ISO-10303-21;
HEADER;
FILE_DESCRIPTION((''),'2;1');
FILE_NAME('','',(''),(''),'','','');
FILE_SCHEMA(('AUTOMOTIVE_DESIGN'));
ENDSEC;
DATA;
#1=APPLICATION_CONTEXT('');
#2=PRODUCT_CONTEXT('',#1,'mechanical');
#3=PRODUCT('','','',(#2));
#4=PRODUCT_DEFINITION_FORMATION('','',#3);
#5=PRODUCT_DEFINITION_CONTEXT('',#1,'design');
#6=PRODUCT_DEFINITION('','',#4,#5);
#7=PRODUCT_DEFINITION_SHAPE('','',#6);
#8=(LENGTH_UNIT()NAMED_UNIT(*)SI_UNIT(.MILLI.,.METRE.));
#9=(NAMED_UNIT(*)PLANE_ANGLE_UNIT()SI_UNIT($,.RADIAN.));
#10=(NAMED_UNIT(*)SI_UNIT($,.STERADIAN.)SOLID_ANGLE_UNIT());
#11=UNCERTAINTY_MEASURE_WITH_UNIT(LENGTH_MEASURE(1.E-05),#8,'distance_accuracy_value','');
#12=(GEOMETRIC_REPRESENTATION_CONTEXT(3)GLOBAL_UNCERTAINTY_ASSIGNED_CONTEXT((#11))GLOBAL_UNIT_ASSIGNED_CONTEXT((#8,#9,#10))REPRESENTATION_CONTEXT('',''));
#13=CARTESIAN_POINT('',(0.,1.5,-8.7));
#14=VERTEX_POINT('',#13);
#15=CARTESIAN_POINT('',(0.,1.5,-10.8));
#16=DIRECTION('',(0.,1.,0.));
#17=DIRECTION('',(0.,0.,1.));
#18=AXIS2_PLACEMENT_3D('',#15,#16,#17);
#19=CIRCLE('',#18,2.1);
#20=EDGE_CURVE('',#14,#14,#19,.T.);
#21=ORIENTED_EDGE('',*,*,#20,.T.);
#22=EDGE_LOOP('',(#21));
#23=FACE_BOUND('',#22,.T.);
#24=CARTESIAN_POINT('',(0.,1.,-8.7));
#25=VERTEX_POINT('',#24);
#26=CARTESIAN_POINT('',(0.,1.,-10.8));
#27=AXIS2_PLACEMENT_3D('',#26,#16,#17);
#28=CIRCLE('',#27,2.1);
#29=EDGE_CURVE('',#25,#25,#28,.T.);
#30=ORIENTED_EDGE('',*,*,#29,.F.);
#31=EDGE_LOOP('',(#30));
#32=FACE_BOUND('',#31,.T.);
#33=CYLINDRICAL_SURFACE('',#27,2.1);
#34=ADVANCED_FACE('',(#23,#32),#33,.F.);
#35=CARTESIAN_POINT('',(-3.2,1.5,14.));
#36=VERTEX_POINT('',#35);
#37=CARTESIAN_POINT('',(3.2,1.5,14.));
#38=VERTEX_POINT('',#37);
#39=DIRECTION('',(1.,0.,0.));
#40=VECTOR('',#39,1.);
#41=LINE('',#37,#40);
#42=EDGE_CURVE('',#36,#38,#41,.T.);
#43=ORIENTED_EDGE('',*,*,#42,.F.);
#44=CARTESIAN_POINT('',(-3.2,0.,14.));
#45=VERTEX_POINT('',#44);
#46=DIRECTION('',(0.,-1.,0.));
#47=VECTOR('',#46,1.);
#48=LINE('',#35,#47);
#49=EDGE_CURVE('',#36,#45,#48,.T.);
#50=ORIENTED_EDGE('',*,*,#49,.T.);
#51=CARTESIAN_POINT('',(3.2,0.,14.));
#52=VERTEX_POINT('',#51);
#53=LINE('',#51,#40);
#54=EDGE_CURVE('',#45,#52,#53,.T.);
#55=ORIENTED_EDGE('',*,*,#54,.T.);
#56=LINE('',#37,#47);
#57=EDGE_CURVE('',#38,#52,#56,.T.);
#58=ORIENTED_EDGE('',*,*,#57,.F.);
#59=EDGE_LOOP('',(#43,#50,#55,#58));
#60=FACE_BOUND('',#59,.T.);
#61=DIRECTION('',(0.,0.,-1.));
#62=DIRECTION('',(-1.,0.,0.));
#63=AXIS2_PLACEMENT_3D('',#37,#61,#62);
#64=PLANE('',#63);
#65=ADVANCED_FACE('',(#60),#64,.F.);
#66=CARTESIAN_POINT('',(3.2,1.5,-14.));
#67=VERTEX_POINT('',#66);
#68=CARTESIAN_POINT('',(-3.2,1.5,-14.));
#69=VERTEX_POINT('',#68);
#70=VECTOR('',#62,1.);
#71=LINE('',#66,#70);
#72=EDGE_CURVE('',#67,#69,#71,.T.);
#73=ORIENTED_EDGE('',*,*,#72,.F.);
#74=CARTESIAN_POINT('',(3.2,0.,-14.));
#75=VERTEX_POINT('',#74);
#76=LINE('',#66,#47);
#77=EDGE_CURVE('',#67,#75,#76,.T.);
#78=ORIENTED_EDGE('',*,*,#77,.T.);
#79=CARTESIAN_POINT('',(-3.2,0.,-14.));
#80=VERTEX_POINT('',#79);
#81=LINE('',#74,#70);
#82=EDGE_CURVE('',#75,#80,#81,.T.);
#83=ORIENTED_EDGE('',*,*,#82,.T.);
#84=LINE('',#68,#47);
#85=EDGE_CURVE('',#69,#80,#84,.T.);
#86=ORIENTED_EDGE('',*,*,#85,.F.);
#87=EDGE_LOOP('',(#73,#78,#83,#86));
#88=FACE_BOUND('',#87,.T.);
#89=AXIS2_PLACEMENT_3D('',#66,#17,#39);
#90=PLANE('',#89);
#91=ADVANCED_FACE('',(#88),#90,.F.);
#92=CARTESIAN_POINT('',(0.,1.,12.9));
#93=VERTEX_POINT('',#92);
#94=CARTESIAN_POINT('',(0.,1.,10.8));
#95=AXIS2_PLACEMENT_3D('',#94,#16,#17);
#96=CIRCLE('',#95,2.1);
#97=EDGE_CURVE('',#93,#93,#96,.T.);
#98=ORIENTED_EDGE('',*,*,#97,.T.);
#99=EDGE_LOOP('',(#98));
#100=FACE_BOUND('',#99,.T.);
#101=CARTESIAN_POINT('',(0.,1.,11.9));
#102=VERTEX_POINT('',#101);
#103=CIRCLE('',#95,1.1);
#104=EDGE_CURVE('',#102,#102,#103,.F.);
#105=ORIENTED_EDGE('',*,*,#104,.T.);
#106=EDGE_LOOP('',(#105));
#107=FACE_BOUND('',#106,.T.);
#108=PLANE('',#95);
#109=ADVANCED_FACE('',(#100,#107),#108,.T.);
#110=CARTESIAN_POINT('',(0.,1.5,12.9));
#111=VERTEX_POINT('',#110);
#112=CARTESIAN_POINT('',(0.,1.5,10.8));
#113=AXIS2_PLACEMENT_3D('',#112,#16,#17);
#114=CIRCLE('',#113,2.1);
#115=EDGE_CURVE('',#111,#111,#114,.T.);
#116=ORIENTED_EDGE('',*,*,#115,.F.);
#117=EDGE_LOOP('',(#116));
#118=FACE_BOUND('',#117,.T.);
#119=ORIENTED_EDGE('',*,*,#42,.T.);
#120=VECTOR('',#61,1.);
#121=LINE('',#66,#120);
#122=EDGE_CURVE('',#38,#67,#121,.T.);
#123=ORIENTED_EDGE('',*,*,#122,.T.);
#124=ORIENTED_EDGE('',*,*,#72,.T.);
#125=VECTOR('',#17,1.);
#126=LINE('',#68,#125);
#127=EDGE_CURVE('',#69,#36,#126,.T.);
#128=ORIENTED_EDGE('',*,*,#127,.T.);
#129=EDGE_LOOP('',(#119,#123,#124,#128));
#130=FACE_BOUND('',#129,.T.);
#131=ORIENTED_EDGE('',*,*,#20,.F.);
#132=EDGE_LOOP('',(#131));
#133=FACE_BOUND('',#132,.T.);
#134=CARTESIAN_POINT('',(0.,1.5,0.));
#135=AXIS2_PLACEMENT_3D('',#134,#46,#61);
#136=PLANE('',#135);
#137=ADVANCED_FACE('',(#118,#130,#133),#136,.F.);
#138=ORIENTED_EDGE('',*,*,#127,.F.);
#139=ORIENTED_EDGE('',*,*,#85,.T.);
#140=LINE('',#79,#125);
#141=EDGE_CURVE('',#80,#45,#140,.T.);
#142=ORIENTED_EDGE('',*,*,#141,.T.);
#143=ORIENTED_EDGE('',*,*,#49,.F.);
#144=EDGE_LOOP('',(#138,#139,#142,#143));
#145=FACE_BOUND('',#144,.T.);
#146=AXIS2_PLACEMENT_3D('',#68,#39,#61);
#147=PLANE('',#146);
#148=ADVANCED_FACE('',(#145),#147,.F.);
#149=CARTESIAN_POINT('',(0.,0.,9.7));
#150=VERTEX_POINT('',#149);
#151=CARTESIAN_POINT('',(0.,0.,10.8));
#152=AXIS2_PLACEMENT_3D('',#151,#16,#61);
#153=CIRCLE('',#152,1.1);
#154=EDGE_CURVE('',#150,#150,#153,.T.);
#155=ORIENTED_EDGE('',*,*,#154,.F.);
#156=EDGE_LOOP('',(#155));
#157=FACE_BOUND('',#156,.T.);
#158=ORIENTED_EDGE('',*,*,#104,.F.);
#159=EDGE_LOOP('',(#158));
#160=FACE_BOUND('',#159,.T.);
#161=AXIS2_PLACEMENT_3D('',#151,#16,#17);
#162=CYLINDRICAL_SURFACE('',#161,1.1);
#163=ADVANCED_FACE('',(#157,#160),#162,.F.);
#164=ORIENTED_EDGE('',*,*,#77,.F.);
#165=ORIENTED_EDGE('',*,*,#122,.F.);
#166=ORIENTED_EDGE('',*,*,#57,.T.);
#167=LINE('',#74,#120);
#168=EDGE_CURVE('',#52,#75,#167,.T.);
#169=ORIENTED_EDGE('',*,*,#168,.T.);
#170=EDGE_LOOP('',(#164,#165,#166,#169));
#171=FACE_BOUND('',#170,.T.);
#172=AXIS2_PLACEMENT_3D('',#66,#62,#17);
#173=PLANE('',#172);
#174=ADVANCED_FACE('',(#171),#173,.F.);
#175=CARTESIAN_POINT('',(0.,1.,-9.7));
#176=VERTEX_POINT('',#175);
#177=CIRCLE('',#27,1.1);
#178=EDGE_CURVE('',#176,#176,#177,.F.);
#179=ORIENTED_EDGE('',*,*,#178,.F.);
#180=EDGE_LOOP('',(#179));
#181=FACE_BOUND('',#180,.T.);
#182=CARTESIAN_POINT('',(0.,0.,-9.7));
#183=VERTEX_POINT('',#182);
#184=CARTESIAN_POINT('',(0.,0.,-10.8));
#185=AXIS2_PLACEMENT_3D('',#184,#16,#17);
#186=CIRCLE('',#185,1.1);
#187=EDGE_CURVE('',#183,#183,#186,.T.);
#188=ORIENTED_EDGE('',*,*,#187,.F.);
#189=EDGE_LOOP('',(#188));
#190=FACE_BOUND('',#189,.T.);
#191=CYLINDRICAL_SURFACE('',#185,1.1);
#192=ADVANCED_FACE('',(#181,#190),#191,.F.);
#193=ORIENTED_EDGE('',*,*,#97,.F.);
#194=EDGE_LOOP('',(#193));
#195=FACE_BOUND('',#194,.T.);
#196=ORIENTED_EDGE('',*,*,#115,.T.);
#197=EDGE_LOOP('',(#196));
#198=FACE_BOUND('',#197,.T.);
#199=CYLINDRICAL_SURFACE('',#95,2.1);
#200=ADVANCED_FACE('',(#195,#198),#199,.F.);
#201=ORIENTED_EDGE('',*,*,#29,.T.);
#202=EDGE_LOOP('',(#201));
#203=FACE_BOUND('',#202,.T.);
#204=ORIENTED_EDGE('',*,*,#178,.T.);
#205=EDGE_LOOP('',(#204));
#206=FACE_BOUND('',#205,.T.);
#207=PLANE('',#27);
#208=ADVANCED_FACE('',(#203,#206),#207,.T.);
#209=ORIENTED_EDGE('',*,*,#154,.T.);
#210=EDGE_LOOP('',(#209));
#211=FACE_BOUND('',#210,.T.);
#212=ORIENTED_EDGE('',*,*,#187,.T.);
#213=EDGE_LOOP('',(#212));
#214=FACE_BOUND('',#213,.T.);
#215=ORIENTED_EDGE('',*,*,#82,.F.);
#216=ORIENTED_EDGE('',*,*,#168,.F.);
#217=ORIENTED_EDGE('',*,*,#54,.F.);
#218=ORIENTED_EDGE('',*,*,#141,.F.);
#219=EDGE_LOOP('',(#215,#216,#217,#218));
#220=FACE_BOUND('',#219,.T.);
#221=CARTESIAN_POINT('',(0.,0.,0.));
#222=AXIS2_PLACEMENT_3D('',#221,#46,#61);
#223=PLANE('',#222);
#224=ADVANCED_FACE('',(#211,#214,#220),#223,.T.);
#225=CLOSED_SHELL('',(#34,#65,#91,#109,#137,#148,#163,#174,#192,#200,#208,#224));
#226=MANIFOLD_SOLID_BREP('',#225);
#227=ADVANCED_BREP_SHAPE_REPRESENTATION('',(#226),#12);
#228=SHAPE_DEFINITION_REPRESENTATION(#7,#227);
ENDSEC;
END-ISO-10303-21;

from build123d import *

# Parameters (mm, degrees)
SKETCH_1_W          = 6.4
SKETCH_1_H          = 28
EXTRUDE_1_DEPTH     = 1.5
SKETCH_2_R          = 1.1
CUT_EXTRUDE_1_DEPTH = 15.439182802
SKETCH_3_R          = 2.1
CUT_EXTRUDE_2_DEPTH = 0.5


with BuildPart() as part:
    # Эскиз1 → Бобышка-Вытянуть1 (new body)
    with BuildSketch(Plane(origin=(0, 0, 0), x_dir=(1, 0, 0), z_dir=(0, 1, 0))):
        Rectangle(SKETCH_1_W, SKETCH_1_H)
    extrude(amount=EXTRUDE_1_DEPTH)

    # Эскиз2 → Вырез-Вытянуть1 (cut, through all)
    with BuildSketch(Plane(origin=(0, 1.5, 0), x_dir=(1, 0, 0), z_dir=(0, 1, 0))):
        with Locations(Location((0, 10.8, 0), (0, 0, 270))):
            Circle(SKETCH_2_R)
        with Locations(Location((0, -10.8, 0), (0, 0, 90))):
            Circle(SKETCH_2_R)
    extrude(amount=-CUT_EXTRUDE_1_DEPTH, mode=Mode.SUBTRACT)

    # Эскиз3 → Вырез-Вытянуть2 (cut)
    with BuildSketch(Plane(origin=(0, 1.5, 0), x_dir=(1, 0, 0), z_dir=(0, 1, 0))):
        with Locations(Location((0, 10.8, 0), (0, 0, 270))):
            Circle(SKETCH_3_R)
        with Locations(Location((0, -10.8, 0), (0, 0, 270))):
            Circle(SKETCH_3_R)
    extrude(amount=-CUT_EXTRUDE_2_DEPTH, mode=Mode.SUBTRACT)


solid = part.part
